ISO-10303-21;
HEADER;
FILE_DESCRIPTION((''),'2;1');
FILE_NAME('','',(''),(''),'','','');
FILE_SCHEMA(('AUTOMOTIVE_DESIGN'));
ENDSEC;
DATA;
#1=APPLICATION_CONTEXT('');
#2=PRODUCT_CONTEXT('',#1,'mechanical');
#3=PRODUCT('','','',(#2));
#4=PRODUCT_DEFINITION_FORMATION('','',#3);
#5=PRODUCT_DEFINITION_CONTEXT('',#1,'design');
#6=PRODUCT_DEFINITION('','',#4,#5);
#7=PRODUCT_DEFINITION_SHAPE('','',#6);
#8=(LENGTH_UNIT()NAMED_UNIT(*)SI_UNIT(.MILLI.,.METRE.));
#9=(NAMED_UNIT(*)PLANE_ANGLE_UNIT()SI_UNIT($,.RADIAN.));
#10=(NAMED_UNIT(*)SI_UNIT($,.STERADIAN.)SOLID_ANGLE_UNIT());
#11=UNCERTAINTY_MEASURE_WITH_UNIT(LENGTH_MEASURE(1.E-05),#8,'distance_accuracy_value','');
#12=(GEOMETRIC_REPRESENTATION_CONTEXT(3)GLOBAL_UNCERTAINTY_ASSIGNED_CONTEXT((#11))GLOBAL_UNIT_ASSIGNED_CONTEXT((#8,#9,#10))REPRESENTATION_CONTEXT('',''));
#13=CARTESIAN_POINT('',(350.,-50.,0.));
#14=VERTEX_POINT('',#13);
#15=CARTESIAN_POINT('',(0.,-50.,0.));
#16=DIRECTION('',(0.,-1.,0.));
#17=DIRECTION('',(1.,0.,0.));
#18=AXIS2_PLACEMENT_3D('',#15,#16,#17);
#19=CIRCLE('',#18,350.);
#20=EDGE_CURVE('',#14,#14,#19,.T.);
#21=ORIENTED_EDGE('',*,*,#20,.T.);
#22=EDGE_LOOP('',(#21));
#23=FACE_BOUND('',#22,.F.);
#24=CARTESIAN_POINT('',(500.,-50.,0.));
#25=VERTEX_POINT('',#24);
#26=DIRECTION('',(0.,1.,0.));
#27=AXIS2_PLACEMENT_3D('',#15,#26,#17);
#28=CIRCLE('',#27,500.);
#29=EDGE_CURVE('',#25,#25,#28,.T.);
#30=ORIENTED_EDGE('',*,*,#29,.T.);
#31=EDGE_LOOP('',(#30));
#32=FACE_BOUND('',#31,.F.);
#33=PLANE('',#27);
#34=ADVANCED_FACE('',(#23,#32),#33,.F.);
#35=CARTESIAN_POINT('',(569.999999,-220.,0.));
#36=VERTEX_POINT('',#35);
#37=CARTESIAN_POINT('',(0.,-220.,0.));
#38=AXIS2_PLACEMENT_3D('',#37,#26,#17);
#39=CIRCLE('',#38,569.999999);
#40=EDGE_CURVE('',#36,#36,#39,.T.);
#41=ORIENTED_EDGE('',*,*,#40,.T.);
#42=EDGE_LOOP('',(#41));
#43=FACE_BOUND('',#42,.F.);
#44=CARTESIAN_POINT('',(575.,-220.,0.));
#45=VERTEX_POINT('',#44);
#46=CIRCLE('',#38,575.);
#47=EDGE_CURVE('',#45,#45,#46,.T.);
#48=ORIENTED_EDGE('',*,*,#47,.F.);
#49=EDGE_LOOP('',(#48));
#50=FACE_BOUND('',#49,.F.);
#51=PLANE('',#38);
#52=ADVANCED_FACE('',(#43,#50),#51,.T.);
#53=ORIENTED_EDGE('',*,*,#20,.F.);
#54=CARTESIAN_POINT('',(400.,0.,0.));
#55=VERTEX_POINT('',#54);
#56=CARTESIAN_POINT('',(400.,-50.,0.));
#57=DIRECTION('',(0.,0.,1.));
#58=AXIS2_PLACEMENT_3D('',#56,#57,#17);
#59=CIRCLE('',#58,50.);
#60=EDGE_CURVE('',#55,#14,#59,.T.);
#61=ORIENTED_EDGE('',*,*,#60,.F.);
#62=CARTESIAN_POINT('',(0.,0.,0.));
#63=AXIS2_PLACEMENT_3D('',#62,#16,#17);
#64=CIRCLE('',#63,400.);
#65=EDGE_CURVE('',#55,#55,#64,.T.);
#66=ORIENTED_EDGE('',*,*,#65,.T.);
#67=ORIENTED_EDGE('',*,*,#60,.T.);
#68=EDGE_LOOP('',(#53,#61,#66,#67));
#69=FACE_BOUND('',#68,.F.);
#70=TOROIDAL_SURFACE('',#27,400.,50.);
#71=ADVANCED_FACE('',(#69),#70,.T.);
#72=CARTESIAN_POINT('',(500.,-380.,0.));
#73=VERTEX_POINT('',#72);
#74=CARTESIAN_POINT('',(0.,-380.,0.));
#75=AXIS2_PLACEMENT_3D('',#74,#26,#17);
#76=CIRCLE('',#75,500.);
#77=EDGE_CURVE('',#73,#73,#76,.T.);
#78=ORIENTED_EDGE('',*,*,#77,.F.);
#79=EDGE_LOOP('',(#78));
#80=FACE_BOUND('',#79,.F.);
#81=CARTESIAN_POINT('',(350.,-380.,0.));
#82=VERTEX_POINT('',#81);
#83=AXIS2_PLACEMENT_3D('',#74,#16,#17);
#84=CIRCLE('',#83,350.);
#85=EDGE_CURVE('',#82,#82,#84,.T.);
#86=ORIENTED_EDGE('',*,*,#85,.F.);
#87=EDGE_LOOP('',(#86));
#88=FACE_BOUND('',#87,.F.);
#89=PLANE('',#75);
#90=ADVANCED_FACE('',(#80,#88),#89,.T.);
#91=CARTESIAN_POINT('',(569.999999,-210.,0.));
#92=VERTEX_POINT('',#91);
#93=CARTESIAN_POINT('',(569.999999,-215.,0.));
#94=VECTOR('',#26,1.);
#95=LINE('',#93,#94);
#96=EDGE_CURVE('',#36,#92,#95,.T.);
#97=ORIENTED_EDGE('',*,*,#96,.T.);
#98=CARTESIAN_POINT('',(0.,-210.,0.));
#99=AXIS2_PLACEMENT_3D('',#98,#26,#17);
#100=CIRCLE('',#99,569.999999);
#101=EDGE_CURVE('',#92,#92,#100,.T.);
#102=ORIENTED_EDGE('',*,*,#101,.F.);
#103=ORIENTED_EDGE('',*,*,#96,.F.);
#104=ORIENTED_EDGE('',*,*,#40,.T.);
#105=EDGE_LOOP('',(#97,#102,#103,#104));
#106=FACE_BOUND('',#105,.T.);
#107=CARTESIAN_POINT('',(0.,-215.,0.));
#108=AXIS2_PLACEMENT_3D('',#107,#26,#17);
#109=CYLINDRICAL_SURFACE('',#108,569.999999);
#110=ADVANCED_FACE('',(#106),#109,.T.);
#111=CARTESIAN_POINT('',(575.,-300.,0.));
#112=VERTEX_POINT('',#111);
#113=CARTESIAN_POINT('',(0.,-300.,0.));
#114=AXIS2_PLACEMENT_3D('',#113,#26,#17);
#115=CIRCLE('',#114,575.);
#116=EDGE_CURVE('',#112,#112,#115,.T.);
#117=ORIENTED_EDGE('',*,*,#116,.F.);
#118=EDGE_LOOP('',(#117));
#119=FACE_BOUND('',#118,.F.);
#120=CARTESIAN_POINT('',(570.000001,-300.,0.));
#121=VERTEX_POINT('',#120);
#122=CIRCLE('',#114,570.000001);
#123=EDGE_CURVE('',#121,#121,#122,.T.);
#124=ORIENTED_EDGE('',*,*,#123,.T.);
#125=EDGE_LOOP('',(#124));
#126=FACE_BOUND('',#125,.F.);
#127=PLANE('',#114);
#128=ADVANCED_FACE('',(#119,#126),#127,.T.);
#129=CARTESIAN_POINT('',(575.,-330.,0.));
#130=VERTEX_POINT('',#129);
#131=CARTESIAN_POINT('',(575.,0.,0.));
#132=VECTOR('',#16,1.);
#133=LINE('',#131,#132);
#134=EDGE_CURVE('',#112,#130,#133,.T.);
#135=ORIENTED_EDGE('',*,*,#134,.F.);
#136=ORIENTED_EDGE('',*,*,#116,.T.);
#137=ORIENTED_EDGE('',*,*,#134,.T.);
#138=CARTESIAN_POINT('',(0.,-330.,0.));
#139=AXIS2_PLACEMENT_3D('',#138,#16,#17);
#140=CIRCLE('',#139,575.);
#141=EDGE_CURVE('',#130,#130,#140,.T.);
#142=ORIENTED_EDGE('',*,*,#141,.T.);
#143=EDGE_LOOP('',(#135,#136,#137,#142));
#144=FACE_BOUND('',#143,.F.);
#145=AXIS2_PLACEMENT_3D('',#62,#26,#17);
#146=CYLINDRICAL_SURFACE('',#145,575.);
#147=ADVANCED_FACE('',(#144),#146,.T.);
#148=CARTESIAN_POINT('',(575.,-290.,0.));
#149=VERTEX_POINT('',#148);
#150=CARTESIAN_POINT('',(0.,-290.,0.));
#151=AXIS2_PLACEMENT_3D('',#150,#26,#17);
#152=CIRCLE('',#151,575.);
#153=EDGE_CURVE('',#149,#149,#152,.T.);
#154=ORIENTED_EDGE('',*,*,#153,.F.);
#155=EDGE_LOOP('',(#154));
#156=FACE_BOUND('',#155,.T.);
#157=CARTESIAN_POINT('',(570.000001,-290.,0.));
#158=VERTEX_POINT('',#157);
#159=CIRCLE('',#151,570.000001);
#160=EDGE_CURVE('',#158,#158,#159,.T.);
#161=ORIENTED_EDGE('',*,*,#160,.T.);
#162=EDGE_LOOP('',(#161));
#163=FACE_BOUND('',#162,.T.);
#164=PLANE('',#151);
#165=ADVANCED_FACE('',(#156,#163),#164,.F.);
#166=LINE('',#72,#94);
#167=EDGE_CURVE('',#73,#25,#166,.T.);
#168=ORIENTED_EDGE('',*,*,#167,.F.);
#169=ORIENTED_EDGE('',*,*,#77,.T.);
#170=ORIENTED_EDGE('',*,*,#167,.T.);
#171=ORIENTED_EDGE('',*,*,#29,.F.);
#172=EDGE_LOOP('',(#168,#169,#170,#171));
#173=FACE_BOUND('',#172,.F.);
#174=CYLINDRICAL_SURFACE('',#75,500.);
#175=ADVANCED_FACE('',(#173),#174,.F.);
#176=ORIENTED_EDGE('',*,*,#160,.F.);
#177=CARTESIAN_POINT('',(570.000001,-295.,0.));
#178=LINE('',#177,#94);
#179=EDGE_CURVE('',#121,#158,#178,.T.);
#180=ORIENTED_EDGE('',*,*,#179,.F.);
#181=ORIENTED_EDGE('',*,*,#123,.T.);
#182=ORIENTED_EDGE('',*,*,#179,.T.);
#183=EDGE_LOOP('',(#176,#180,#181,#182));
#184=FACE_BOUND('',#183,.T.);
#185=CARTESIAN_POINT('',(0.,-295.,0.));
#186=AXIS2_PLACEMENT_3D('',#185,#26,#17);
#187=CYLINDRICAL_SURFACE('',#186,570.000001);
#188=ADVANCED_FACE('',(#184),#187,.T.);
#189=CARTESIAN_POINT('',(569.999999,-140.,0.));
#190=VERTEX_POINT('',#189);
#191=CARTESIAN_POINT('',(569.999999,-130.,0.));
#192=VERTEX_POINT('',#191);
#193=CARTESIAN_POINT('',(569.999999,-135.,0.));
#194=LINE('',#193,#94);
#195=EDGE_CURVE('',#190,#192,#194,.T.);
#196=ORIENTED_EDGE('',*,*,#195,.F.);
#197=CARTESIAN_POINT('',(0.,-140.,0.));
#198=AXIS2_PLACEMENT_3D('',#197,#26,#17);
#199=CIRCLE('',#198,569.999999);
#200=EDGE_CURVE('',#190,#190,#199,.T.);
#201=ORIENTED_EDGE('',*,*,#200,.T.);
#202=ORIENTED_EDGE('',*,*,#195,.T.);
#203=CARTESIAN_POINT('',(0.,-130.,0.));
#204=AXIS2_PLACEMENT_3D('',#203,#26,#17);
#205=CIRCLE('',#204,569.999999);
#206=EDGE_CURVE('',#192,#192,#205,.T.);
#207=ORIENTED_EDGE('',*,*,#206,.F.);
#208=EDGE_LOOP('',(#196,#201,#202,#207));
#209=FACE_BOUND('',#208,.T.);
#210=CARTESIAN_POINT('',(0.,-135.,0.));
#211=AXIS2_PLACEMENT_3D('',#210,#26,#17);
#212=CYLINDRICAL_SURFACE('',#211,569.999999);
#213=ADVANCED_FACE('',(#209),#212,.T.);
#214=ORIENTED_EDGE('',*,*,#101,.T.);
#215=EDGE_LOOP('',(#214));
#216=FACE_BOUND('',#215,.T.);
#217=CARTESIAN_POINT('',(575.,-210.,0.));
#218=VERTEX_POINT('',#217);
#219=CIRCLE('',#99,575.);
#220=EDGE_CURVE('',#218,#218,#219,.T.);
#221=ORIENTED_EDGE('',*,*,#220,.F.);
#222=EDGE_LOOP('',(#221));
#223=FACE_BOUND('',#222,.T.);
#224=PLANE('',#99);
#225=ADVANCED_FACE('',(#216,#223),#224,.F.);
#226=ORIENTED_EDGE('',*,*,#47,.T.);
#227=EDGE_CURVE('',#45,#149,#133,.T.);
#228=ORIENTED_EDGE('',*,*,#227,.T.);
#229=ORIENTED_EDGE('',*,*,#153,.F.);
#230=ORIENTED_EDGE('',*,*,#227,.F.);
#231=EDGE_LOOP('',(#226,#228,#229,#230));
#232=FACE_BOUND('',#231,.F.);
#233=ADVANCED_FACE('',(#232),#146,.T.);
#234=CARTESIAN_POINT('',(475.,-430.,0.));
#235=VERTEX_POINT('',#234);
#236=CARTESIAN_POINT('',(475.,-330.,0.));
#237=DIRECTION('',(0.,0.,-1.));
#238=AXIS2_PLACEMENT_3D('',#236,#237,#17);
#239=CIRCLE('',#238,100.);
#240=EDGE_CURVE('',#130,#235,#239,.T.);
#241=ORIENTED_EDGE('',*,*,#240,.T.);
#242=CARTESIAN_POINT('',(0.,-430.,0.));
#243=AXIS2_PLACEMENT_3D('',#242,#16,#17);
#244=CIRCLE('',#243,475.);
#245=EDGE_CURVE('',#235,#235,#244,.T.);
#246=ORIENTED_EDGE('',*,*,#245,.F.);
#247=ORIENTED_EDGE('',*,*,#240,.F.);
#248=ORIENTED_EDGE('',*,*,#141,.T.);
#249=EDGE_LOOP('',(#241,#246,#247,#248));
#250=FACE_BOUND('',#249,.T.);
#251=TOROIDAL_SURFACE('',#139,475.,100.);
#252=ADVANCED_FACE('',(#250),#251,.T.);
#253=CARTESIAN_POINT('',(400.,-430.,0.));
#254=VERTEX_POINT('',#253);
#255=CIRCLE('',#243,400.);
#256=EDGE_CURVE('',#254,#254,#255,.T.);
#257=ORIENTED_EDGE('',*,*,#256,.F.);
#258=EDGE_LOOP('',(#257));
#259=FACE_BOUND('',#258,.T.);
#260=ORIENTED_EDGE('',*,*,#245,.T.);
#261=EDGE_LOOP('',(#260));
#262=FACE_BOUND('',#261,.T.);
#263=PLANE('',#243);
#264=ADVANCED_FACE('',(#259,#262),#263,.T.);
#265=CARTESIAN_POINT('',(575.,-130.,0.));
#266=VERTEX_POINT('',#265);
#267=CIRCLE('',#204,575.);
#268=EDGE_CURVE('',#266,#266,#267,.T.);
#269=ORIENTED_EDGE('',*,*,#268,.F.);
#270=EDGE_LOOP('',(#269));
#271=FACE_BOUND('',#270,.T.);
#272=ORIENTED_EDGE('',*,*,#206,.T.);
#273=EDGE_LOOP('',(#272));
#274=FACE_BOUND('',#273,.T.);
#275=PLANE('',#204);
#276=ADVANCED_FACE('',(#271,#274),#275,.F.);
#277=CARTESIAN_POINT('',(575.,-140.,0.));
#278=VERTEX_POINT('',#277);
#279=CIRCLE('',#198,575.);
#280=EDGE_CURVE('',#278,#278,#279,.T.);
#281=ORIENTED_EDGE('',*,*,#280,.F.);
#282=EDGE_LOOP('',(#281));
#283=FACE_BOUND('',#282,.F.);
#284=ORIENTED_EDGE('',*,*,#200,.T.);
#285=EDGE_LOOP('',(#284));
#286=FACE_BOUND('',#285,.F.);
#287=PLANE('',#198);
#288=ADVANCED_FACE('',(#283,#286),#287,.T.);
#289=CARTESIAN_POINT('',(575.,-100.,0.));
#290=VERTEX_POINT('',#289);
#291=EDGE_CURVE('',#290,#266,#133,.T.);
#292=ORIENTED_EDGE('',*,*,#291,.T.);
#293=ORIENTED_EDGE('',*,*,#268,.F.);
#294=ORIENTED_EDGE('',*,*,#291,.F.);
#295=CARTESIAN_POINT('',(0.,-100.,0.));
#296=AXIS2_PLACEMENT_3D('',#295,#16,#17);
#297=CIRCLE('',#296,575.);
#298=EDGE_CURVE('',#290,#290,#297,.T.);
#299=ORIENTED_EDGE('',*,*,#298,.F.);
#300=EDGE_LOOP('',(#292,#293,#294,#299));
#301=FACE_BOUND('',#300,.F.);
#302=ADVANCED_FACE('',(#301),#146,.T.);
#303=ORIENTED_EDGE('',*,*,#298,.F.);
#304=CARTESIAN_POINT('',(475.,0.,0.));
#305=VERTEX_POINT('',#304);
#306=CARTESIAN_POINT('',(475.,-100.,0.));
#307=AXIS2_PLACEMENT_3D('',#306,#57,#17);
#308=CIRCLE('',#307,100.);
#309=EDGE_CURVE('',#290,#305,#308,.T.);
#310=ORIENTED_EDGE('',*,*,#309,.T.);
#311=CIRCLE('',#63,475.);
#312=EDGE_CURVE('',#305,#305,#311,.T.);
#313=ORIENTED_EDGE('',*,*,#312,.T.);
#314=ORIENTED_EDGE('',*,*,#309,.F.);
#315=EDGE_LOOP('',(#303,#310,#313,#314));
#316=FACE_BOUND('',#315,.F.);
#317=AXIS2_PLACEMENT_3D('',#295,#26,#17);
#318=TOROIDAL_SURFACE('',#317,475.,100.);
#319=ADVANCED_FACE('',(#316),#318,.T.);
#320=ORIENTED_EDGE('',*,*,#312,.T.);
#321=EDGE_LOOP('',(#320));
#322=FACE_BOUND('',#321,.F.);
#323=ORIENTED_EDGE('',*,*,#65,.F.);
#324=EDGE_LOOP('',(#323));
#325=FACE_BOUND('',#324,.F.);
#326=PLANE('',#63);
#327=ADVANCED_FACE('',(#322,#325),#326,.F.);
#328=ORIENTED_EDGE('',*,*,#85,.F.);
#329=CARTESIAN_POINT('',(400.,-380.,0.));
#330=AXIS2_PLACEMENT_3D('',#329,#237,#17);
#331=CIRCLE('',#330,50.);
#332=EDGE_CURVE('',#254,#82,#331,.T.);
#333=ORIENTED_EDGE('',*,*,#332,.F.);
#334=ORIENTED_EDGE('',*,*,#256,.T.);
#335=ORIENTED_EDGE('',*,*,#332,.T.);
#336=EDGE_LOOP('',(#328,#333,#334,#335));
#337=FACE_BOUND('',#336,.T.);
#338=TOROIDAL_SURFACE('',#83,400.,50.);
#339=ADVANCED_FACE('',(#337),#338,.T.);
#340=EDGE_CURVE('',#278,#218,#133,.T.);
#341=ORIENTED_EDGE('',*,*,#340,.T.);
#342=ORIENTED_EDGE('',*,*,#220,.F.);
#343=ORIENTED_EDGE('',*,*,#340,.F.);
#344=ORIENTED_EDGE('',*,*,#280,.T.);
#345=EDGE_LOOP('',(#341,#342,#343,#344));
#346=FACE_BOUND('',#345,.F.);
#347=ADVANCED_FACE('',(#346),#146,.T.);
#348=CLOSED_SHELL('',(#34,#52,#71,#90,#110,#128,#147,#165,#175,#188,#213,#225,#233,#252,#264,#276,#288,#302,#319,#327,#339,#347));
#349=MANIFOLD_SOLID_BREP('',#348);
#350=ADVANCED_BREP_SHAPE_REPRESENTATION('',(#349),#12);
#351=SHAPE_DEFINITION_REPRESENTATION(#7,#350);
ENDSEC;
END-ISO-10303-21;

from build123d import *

# Parameters (mm, degrees)
F0_R     = 575
F1_DEPTH = 430
F2_R     = 350
F3_DEPTH = 500
F4_R     = 100
F5_R     = 50
F6_W     = 148.077123
F6_H     = 10
F6_W_2   = 157.069139
F6_W_3   = 114.678197


with BuildPart() as f1:
    # F0 (on Front) → F1 (new body)
    with BuildSketch(Plane.XZ):
        Circle(F0_R)
    extrude(amount=F1_DEPTH)

    # F2 (on face) → F3 (cut)
    with BuildSketch(Plane.XZ.offset(430)):
        Circle(F2_R)
    extrude(amount=-F3_DEPTH, mode=Mode.SUBTRACT)

    # F4
    f4_edges = [f1.edges().sort_by_distance(p)[0] for p in [
        (-575, -430, 0),
        (-575, 0, 0),
    ]]
    fillet(f4_edges, radius=F4_R)

    # F5
    f5_edges = [f1.edges().sort_by_distance(p)[0] for p in [
        (-350, -430, 0),
        (-350, 0, 0),
    ]]
    fillet(f5_edges, radius=F5_R)

    # F6 (on Top) → F7 (revolve, cut)
    with BuildSketch(Plane.XY):
        Polygon((350, 0), (0, 0), (0, -430), (350, -430), (350, -380), (500, -380), (500, -50), (350, -50), align=None)
        with Locations((644.038562, -295)):
            Rectangle(F6_W, F6_H)
        with Locations((648.534569, -215)):
            Rectangle(F6_W_2, F6_H)
        with Locations((627.339098, -135)):
            Rectangle(F6_W_3, F6_H)
    revolve(axis=Axis((0, -215, 0), (0, 1, 0)), mode=Mode.SUBTRACT)


solid = f1.part
